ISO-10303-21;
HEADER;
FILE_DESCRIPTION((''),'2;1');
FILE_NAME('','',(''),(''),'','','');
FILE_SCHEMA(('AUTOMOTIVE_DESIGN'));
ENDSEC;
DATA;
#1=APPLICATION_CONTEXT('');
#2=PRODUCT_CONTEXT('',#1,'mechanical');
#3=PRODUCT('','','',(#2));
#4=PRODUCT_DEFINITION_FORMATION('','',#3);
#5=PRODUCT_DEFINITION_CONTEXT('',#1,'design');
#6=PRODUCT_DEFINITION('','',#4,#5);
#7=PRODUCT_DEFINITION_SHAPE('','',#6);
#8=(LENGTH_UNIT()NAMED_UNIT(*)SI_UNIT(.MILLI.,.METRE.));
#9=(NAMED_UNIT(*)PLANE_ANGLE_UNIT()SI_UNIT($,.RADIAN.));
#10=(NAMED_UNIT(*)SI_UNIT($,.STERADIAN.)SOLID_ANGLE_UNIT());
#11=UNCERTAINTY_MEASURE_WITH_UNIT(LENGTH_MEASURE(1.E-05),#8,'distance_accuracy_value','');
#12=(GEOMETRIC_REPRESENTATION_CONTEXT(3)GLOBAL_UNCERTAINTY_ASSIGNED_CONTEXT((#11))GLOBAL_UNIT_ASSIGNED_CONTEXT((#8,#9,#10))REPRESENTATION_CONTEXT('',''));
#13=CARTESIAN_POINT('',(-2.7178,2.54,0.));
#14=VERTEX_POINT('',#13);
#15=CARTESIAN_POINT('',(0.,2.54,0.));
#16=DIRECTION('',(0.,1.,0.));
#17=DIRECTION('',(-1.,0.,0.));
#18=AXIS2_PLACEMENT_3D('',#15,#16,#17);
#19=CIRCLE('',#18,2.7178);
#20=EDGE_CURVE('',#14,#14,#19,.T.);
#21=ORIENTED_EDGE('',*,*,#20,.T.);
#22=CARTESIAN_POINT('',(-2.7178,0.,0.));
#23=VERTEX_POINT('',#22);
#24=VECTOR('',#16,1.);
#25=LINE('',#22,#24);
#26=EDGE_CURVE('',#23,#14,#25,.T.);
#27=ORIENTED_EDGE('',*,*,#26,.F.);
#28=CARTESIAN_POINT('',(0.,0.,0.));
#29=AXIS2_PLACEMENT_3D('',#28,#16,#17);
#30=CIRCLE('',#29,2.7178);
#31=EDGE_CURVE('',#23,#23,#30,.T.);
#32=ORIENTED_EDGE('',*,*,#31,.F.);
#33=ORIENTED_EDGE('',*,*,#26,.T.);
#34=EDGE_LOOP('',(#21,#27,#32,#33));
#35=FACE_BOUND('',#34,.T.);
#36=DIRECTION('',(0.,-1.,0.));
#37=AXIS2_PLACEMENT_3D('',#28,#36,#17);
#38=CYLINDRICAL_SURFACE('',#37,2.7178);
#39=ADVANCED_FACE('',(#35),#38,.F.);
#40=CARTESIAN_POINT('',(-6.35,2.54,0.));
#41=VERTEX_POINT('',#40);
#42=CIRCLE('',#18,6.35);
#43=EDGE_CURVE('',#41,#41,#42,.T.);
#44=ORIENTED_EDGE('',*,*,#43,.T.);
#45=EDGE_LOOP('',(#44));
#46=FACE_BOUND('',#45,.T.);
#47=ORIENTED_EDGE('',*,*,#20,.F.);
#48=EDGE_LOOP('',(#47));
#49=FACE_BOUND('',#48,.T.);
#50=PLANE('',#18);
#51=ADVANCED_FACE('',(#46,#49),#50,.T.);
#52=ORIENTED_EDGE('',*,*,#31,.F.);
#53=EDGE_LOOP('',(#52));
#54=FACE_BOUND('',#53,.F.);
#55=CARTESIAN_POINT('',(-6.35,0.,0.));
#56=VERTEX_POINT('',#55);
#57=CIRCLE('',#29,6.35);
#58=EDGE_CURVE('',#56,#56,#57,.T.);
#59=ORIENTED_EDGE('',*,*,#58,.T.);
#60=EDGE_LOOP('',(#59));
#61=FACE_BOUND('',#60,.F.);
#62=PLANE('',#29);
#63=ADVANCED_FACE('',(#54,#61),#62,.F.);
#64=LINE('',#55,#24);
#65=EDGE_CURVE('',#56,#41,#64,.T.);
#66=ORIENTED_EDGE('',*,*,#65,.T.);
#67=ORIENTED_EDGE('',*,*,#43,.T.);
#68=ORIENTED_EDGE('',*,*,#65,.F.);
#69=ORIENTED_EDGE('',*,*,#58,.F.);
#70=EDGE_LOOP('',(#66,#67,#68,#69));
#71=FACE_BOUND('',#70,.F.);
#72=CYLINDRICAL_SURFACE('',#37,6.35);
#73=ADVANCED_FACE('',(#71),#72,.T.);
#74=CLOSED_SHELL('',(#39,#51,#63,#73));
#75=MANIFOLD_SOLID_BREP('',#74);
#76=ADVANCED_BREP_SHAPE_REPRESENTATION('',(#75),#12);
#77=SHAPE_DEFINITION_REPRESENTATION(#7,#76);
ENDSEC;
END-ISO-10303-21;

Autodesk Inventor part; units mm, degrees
ref_plane "YZ Plane" through (0, 0, 0) normal (1, 0, 0) x (0, 1, 0)
ref_plane "XZ Plane" through (0, 0, 0) normal (0, 1, 0) x (-1, 0, 0)
ref_plane "XY Plane" through (0, 0, 0) normal (0, 0, 1) x (1, 0, 0)
sketch "Sketch1" plane through (0, 0, 0) normal (0, 1, 0) x (-1, 0, 0)
  circle A0 centre (0, 0) radius 2.7178
  circle A1 centre (0, 0) radius 6.35
  dimension "d0" = 5.4356
  dimension "d1" = 12.7
extrude "Extrusion1" add sketch "Sketch1" along normal blind 2.54
properties part number "washer"
